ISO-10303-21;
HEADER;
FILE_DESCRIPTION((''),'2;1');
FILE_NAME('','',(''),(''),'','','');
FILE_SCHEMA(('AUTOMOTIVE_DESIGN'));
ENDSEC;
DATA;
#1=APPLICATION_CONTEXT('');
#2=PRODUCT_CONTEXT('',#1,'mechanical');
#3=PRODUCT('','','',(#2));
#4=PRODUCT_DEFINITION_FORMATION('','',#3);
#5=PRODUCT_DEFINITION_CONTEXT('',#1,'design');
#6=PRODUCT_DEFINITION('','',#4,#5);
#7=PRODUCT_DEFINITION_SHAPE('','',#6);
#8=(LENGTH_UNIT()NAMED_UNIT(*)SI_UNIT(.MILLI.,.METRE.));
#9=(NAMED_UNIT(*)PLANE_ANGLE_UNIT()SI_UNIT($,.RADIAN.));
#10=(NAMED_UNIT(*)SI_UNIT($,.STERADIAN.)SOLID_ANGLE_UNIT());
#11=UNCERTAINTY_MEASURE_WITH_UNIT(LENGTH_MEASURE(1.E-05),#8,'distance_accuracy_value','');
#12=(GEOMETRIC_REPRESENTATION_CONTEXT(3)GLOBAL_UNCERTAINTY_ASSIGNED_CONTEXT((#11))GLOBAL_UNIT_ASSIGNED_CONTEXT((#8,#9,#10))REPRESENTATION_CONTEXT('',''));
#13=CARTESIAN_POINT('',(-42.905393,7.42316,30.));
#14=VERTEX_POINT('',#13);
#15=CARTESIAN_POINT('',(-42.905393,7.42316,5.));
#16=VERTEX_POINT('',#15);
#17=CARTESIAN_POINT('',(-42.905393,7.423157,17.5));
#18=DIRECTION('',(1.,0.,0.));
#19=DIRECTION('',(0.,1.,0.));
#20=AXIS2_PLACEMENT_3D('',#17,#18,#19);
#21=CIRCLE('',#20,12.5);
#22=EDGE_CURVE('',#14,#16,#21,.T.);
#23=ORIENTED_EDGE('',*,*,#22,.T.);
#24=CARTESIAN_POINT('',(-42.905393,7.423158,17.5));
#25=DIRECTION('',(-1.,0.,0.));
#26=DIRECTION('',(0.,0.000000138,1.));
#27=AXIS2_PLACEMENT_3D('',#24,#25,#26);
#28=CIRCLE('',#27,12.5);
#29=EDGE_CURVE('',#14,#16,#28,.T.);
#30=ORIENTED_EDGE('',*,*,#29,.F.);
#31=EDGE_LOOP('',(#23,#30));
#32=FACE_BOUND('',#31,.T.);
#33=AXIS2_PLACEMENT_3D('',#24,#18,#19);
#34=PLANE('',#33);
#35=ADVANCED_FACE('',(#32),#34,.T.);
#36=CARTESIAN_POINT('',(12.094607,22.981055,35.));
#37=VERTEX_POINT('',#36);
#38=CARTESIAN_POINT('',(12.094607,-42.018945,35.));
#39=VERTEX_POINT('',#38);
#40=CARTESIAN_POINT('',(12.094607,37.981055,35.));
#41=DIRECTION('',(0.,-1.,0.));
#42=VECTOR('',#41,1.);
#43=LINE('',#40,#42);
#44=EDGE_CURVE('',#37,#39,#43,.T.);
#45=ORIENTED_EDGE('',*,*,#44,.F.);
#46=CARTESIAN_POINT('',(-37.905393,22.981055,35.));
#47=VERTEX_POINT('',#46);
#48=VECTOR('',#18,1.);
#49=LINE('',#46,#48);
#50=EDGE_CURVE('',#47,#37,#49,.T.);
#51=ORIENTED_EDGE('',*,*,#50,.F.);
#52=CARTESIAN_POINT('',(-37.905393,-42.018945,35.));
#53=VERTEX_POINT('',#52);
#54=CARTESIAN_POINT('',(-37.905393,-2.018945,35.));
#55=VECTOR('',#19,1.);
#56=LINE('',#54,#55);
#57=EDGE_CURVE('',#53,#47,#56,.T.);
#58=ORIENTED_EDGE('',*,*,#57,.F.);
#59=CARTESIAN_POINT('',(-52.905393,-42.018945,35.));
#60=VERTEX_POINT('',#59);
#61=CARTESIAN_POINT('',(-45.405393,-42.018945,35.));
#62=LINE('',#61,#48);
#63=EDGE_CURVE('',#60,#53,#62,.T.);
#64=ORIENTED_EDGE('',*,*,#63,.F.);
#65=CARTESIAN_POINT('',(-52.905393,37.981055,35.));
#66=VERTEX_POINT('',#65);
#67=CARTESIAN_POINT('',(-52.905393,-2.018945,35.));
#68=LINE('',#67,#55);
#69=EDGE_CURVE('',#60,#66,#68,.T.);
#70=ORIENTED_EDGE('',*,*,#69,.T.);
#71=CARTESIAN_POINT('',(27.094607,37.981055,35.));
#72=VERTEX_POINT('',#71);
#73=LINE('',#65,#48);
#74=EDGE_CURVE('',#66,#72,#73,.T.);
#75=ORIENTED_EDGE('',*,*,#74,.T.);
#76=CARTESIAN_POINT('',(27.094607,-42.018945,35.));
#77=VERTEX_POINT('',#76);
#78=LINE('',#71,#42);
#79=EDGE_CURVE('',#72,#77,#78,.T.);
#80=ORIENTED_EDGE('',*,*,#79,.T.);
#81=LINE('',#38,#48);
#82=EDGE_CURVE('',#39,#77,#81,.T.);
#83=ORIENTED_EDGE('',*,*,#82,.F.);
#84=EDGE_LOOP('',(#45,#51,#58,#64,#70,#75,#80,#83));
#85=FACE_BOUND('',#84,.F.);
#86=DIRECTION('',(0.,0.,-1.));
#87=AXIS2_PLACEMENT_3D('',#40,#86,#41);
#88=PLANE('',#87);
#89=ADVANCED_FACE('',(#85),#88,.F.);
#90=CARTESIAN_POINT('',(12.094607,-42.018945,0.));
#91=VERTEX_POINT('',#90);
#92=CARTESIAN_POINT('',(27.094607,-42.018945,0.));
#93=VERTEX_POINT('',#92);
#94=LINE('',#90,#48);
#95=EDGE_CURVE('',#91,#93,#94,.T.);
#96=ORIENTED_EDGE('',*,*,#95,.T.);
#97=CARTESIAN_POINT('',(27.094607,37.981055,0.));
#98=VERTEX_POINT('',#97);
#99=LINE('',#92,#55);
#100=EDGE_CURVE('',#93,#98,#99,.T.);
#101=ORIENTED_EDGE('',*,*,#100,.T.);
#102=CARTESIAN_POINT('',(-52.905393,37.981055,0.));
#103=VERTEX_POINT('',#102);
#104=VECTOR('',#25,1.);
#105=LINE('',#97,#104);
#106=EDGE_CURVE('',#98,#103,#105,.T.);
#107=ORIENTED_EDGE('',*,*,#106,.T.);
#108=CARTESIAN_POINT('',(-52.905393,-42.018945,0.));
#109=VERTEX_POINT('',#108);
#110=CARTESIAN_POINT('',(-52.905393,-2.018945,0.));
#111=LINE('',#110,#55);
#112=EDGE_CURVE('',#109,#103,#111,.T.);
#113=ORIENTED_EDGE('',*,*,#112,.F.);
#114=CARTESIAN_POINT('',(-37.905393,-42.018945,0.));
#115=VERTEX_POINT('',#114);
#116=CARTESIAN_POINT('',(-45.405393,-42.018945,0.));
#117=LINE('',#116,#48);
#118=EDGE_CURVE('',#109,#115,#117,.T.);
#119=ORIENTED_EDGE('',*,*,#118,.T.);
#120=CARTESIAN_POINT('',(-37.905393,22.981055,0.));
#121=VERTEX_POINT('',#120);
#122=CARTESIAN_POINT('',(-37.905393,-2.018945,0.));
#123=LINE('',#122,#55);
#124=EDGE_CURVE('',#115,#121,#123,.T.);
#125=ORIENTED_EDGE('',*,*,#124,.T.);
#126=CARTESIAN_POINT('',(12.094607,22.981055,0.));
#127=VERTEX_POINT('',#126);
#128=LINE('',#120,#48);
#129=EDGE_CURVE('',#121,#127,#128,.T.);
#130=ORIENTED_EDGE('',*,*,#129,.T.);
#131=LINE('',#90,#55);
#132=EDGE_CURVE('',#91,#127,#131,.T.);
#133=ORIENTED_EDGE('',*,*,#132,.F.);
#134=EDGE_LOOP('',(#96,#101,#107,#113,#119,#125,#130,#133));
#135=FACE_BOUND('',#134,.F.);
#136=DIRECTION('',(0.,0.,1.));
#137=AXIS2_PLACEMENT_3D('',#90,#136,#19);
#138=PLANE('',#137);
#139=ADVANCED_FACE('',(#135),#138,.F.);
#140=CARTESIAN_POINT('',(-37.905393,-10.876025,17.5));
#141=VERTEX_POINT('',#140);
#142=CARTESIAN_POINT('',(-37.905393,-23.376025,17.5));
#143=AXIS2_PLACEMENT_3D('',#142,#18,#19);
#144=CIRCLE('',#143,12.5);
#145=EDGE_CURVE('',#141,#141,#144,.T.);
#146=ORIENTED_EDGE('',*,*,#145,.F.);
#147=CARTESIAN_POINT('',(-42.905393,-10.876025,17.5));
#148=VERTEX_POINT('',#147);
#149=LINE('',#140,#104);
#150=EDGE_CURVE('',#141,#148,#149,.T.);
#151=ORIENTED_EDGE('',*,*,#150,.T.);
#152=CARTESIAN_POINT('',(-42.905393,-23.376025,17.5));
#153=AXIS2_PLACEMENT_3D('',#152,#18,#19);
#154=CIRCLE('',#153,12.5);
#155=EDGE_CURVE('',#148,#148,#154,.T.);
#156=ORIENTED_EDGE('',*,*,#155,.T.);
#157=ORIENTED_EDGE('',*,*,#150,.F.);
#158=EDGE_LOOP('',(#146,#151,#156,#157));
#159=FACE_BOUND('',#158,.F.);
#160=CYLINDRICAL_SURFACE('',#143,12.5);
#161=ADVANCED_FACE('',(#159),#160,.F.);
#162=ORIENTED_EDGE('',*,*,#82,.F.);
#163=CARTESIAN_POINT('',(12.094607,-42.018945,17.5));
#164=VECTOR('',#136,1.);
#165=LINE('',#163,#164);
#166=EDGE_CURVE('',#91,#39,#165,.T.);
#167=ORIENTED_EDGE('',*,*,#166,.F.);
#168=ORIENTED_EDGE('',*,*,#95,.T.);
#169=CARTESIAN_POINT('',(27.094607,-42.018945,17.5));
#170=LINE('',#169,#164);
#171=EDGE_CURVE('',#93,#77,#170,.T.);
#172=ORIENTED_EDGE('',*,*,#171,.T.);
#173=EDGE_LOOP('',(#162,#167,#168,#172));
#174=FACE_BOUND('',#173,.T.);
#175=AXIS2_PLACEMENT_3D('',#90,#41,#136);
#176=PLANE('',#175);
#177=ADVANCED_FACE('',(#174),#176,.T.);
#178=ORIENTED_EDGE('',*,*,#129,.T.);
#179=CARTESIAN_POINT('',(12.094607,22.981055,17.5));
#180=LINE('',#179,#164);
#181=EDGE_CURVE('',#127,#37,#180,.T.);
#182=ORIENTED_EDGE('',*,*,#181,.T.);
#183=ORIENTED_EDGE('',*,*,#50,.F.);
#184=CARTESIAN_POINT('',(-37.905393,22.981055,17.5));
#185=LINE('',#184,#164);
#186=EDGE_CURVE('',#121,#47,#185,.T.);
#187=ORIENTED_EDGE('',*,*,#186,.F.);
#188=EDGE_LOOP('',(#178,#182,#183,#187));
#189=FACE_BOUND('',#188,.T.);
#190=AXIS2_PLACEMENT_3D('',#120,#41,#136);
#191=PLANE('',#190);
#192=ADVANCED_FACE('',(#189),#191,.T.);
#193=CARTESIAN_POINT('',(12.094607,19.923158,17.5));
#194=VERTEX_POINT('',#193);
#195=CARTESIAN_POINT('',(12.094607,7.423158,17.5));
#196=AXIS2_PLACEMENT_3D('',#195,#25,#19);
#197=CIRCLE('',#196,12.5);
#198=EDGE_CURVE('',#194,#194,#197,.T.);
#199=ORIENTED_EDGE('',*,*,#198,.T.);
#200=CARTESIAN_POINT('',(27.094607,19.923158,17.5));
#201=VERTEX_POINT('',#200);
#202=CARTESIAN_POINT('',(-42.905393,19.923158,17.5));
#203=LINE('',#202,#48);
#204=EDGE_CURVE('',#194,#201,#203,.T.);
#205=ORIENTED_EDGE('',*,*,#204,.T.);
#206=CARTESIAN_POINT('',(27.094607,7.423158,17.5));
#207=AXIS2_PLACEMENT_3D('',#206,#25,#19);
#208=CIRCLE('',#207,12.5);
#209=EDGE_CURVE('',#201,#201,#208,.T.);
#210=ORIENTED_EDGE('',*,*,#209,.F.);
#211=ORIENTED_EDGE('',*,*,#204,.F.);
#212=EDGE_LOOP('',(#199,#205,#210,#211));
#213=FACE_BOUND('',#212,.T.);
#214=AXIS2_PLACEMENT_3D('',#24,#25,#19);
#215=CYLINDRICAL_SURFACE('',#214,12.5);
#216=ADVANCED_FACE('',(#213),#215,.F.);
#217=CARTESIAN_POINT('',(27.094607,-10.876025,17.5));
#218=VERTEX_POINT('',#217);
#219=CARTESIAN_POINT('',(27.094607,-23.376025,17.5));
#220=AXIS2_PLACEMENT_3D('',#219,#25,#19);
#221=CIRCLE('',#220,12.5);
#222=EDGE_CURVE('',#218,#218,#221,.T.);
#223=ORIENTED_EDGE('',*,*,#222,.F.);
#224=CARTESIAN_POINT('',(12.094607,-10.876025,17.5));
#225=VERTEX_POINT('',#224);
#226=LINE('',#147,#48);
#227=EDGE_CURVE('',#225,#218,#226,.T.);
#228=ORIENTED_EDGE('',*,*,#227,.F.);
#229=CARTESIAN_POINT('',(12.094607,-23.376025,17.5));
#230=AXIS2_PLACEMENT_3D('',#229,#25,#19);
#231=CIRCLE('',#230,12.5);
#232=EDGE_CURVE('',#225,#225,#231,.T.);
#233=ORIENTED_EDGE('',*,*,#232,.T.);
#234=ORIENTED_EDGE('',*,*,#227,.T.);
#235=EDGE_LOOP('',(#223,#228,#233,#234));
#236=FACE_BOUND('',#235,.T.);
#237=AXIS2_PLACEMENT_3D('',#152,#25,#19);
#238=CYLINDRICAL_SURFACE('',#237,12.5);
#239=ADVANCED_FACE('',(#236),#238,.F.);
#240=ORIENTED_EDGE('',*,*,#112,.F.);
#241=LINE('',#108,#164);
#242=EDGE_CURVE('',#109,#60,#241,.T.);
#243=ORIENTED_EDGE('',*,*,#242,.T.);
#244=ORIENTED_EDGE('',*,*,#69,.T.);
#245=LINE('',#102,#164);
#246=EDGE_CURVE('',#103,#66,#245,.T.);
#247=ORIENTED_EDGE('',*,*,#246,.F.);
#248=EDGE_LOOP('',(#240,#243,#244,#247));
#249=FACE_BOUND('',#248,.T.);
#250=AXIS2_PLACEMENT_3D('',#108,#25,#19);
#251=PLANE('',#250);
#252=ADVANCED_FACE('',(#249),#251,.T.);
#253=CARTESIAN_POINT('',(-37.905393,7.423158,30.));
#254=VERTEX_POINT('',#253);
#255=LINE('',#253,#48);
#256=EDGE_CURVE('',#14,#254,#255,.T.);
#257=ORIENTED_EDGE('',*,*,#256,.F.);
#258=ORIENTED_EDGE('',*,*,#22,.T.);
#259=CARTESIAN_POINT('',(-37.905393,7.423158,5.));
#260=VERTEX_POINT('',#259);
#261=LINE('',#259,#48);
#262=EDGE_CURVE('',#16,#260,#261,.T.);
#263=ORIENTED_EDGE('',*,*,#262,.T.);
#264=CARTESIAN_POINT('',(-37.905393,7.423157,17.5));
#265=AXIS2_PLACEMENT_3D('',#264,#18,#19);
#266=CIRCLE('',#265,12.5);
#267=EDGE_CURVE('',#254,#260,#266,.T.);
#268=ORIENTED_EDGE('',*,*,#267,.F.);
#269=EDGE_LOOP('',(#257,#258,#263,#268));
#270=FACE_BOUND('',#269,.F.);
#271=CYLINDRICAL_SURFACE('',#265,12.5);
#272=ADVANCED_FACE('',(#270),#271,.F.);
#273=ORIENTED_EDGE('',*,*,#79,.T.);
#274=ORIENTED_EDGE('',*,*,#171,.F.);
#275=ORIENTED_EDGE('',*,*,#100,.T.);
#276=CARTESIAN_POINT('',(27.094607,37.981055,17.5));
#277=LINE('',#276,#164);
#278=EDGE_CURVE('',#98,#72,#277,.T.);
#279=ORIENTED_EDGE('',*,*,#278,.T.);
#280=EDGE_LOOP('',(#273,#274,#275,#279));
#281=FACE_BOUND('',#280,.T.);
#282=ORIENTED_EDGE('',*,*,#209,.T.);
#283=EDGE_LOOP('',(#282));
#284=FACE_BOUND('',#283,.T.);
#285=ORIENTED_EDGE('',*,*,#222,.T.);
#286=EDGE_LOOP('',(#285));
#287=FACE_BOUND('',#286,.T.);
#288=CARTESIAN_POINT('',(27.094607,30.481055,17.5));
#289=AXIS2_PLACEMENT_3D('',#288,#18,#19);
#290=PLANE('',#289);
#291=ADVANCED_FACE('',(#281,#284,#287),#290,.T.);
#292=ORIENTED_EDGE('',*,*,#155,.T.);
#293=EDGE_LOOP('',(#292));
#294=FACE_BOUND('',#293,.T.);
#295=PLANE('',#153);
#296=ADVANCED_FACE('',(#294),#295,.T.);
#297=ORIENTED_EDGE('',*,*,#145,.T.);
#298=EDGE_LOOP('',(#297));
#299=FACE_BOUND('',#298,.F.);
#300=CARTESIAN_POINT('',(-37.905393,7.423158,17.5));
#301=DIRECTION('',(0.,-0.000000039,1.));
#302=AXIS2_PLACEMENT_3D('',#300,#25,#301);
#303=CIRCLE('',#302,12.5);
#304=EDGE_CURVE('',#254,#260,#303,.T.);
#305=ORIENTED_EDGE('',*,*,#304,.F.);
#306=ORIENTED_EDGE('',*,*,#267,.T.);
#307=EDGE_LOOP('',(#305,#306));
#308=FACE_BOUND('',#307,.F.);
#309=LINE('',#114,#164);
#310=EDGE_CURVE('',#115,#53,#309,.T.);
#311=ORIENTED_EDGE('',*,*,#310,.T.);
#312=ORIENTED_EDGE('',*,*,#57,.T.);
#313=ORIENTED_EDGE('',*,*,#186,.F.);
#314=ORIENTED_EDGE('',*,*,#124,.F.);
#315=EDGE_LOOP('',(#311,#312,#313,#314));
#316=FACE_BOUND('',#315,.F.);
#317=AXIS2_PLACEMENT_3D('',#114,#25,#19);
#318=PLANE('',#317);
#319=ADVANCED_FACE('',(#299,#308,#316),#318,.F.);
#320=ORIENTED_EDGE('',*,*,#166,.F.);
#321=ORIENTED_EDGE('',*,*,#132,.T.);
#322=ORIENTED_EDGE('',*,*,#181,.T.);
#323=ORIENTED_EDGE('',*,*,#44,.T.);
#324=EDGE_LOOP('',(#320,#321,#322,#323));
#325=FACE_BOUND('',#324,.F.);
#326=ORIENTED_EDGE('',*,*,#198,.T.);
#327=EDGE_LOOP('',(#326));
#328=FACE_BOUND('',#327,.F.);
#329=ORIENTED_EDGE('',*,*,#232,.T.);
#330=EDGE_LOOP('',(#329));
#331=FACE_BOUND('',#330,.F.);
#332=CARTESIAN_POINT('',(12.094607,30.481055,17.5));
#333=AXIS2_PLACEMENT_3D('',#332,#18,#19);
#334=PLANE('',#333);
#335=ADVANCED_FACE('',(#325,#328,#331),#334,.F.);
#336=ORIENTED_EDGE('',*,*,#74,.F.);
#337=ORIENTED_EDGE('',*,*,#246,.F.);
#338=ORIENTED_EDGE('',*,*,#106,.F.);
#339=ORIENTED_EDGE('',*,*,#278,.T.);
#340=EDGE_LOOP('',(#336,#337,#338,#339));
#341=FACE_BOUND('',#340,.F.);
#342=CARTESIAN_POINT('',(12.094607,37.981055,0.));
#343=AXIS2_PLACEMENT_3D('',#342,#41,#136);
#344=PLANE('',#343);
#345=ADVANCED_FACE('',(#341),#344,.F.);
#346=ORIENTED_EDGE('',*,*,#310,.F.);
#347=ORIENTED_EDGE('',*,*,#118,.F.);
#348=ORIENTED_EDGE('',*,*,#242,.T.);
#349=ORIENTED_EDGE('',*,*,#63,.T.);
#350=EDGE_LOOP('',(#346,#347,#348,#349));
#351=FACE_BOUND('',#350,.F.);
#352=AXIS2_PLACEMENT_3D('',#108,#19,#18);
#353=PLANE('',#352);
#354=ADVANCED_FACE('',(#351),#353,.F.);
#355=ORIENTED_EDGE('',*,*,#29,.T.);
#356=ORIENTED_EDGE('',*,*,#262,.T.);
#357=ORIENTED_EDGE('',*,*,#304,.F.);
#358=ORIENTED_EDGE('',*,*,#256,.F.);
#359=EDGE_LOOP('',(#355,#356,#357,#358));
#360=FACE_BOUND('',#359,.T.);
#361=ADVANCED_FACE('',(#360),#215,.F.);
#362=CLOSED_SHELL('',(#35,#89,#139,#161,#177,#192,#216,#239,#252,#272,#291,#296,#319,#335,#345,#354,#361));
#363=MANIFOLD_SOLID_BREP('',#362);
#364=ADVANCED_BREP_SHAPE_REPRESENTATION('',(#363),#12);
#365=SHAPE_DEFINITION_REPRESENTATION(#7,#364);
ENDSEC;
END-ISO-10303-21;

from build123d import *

# Parameters (mm, degrees)
F0_W      = 15
F0_H      = 80
F1_DEPTH  = 35
F2_W      = 15
F2_H      = 35
F3_DEPTH  = 50
F4_R      = 12.5
F5_DEPTH  = 5
F6_W      = 15
F6_H      = 35
F6_W_2    = 65
F7_DEPTH  = 15
F5_FACE_R = 12.5
F8_DEPTH  = 100


with BuildPart() as f1:
    # F0 (on Top) → F1 (new body)
    with BuildSketch(Plane.XY):
        with Locations((-45.405393, -2.018945)):
            Rectangle(F0_W, F0_H)
    extrude(amount=F1_DEPTH)

    # F2 (on face) → F3 (join)
    with BuildSketch(Plane.YZ.offset(-37.905393)):
        with Locations((30.481055, 17.5)):
            Rectangle(F2_W, F2_H)
    extrude(amount=F3_DEPTH)

    # F4 (on face) → F5 (cut)
    with BuildSketch(Plane.YZ.offset(-37.905393)):
        with Locations((-23.376025, 17.5)):
            Circle(F4_R)
        with Locations((7.423157, 17.5)):
            Circle(F4_R)
    extrude(amount=-F5_DEPTH, mode=Mode.SUBTRACT)

    # F6 (on face) → F7 (join)
    with BuildSketch(Plane.YZ.offset(12.094607)):
        with Locations((30.481055, 17.5)):
            Rectangle(F6_W, F6_H)
        with Locations((-9.518945, 17.5)):
            Rectangle(F6_W_2, F6_H)
    extrude(amount=F7_DEPTH)

    # F5_face (on face) → F8 (cut)
    with BuildSketch(Plane(origin=(-42.905393, -23.376025, 17.5), x_dir=(0, 1, 0), z_dir=(1, 0, 0))):
        Circle(F5_FACE_R)
        with Locations((30.799183, 0)):
            Circle(F5_FACE_R)
    extrude(amount=F8_DEPTH, mode=Mode.SUBTRACT)


solid = f1.part
